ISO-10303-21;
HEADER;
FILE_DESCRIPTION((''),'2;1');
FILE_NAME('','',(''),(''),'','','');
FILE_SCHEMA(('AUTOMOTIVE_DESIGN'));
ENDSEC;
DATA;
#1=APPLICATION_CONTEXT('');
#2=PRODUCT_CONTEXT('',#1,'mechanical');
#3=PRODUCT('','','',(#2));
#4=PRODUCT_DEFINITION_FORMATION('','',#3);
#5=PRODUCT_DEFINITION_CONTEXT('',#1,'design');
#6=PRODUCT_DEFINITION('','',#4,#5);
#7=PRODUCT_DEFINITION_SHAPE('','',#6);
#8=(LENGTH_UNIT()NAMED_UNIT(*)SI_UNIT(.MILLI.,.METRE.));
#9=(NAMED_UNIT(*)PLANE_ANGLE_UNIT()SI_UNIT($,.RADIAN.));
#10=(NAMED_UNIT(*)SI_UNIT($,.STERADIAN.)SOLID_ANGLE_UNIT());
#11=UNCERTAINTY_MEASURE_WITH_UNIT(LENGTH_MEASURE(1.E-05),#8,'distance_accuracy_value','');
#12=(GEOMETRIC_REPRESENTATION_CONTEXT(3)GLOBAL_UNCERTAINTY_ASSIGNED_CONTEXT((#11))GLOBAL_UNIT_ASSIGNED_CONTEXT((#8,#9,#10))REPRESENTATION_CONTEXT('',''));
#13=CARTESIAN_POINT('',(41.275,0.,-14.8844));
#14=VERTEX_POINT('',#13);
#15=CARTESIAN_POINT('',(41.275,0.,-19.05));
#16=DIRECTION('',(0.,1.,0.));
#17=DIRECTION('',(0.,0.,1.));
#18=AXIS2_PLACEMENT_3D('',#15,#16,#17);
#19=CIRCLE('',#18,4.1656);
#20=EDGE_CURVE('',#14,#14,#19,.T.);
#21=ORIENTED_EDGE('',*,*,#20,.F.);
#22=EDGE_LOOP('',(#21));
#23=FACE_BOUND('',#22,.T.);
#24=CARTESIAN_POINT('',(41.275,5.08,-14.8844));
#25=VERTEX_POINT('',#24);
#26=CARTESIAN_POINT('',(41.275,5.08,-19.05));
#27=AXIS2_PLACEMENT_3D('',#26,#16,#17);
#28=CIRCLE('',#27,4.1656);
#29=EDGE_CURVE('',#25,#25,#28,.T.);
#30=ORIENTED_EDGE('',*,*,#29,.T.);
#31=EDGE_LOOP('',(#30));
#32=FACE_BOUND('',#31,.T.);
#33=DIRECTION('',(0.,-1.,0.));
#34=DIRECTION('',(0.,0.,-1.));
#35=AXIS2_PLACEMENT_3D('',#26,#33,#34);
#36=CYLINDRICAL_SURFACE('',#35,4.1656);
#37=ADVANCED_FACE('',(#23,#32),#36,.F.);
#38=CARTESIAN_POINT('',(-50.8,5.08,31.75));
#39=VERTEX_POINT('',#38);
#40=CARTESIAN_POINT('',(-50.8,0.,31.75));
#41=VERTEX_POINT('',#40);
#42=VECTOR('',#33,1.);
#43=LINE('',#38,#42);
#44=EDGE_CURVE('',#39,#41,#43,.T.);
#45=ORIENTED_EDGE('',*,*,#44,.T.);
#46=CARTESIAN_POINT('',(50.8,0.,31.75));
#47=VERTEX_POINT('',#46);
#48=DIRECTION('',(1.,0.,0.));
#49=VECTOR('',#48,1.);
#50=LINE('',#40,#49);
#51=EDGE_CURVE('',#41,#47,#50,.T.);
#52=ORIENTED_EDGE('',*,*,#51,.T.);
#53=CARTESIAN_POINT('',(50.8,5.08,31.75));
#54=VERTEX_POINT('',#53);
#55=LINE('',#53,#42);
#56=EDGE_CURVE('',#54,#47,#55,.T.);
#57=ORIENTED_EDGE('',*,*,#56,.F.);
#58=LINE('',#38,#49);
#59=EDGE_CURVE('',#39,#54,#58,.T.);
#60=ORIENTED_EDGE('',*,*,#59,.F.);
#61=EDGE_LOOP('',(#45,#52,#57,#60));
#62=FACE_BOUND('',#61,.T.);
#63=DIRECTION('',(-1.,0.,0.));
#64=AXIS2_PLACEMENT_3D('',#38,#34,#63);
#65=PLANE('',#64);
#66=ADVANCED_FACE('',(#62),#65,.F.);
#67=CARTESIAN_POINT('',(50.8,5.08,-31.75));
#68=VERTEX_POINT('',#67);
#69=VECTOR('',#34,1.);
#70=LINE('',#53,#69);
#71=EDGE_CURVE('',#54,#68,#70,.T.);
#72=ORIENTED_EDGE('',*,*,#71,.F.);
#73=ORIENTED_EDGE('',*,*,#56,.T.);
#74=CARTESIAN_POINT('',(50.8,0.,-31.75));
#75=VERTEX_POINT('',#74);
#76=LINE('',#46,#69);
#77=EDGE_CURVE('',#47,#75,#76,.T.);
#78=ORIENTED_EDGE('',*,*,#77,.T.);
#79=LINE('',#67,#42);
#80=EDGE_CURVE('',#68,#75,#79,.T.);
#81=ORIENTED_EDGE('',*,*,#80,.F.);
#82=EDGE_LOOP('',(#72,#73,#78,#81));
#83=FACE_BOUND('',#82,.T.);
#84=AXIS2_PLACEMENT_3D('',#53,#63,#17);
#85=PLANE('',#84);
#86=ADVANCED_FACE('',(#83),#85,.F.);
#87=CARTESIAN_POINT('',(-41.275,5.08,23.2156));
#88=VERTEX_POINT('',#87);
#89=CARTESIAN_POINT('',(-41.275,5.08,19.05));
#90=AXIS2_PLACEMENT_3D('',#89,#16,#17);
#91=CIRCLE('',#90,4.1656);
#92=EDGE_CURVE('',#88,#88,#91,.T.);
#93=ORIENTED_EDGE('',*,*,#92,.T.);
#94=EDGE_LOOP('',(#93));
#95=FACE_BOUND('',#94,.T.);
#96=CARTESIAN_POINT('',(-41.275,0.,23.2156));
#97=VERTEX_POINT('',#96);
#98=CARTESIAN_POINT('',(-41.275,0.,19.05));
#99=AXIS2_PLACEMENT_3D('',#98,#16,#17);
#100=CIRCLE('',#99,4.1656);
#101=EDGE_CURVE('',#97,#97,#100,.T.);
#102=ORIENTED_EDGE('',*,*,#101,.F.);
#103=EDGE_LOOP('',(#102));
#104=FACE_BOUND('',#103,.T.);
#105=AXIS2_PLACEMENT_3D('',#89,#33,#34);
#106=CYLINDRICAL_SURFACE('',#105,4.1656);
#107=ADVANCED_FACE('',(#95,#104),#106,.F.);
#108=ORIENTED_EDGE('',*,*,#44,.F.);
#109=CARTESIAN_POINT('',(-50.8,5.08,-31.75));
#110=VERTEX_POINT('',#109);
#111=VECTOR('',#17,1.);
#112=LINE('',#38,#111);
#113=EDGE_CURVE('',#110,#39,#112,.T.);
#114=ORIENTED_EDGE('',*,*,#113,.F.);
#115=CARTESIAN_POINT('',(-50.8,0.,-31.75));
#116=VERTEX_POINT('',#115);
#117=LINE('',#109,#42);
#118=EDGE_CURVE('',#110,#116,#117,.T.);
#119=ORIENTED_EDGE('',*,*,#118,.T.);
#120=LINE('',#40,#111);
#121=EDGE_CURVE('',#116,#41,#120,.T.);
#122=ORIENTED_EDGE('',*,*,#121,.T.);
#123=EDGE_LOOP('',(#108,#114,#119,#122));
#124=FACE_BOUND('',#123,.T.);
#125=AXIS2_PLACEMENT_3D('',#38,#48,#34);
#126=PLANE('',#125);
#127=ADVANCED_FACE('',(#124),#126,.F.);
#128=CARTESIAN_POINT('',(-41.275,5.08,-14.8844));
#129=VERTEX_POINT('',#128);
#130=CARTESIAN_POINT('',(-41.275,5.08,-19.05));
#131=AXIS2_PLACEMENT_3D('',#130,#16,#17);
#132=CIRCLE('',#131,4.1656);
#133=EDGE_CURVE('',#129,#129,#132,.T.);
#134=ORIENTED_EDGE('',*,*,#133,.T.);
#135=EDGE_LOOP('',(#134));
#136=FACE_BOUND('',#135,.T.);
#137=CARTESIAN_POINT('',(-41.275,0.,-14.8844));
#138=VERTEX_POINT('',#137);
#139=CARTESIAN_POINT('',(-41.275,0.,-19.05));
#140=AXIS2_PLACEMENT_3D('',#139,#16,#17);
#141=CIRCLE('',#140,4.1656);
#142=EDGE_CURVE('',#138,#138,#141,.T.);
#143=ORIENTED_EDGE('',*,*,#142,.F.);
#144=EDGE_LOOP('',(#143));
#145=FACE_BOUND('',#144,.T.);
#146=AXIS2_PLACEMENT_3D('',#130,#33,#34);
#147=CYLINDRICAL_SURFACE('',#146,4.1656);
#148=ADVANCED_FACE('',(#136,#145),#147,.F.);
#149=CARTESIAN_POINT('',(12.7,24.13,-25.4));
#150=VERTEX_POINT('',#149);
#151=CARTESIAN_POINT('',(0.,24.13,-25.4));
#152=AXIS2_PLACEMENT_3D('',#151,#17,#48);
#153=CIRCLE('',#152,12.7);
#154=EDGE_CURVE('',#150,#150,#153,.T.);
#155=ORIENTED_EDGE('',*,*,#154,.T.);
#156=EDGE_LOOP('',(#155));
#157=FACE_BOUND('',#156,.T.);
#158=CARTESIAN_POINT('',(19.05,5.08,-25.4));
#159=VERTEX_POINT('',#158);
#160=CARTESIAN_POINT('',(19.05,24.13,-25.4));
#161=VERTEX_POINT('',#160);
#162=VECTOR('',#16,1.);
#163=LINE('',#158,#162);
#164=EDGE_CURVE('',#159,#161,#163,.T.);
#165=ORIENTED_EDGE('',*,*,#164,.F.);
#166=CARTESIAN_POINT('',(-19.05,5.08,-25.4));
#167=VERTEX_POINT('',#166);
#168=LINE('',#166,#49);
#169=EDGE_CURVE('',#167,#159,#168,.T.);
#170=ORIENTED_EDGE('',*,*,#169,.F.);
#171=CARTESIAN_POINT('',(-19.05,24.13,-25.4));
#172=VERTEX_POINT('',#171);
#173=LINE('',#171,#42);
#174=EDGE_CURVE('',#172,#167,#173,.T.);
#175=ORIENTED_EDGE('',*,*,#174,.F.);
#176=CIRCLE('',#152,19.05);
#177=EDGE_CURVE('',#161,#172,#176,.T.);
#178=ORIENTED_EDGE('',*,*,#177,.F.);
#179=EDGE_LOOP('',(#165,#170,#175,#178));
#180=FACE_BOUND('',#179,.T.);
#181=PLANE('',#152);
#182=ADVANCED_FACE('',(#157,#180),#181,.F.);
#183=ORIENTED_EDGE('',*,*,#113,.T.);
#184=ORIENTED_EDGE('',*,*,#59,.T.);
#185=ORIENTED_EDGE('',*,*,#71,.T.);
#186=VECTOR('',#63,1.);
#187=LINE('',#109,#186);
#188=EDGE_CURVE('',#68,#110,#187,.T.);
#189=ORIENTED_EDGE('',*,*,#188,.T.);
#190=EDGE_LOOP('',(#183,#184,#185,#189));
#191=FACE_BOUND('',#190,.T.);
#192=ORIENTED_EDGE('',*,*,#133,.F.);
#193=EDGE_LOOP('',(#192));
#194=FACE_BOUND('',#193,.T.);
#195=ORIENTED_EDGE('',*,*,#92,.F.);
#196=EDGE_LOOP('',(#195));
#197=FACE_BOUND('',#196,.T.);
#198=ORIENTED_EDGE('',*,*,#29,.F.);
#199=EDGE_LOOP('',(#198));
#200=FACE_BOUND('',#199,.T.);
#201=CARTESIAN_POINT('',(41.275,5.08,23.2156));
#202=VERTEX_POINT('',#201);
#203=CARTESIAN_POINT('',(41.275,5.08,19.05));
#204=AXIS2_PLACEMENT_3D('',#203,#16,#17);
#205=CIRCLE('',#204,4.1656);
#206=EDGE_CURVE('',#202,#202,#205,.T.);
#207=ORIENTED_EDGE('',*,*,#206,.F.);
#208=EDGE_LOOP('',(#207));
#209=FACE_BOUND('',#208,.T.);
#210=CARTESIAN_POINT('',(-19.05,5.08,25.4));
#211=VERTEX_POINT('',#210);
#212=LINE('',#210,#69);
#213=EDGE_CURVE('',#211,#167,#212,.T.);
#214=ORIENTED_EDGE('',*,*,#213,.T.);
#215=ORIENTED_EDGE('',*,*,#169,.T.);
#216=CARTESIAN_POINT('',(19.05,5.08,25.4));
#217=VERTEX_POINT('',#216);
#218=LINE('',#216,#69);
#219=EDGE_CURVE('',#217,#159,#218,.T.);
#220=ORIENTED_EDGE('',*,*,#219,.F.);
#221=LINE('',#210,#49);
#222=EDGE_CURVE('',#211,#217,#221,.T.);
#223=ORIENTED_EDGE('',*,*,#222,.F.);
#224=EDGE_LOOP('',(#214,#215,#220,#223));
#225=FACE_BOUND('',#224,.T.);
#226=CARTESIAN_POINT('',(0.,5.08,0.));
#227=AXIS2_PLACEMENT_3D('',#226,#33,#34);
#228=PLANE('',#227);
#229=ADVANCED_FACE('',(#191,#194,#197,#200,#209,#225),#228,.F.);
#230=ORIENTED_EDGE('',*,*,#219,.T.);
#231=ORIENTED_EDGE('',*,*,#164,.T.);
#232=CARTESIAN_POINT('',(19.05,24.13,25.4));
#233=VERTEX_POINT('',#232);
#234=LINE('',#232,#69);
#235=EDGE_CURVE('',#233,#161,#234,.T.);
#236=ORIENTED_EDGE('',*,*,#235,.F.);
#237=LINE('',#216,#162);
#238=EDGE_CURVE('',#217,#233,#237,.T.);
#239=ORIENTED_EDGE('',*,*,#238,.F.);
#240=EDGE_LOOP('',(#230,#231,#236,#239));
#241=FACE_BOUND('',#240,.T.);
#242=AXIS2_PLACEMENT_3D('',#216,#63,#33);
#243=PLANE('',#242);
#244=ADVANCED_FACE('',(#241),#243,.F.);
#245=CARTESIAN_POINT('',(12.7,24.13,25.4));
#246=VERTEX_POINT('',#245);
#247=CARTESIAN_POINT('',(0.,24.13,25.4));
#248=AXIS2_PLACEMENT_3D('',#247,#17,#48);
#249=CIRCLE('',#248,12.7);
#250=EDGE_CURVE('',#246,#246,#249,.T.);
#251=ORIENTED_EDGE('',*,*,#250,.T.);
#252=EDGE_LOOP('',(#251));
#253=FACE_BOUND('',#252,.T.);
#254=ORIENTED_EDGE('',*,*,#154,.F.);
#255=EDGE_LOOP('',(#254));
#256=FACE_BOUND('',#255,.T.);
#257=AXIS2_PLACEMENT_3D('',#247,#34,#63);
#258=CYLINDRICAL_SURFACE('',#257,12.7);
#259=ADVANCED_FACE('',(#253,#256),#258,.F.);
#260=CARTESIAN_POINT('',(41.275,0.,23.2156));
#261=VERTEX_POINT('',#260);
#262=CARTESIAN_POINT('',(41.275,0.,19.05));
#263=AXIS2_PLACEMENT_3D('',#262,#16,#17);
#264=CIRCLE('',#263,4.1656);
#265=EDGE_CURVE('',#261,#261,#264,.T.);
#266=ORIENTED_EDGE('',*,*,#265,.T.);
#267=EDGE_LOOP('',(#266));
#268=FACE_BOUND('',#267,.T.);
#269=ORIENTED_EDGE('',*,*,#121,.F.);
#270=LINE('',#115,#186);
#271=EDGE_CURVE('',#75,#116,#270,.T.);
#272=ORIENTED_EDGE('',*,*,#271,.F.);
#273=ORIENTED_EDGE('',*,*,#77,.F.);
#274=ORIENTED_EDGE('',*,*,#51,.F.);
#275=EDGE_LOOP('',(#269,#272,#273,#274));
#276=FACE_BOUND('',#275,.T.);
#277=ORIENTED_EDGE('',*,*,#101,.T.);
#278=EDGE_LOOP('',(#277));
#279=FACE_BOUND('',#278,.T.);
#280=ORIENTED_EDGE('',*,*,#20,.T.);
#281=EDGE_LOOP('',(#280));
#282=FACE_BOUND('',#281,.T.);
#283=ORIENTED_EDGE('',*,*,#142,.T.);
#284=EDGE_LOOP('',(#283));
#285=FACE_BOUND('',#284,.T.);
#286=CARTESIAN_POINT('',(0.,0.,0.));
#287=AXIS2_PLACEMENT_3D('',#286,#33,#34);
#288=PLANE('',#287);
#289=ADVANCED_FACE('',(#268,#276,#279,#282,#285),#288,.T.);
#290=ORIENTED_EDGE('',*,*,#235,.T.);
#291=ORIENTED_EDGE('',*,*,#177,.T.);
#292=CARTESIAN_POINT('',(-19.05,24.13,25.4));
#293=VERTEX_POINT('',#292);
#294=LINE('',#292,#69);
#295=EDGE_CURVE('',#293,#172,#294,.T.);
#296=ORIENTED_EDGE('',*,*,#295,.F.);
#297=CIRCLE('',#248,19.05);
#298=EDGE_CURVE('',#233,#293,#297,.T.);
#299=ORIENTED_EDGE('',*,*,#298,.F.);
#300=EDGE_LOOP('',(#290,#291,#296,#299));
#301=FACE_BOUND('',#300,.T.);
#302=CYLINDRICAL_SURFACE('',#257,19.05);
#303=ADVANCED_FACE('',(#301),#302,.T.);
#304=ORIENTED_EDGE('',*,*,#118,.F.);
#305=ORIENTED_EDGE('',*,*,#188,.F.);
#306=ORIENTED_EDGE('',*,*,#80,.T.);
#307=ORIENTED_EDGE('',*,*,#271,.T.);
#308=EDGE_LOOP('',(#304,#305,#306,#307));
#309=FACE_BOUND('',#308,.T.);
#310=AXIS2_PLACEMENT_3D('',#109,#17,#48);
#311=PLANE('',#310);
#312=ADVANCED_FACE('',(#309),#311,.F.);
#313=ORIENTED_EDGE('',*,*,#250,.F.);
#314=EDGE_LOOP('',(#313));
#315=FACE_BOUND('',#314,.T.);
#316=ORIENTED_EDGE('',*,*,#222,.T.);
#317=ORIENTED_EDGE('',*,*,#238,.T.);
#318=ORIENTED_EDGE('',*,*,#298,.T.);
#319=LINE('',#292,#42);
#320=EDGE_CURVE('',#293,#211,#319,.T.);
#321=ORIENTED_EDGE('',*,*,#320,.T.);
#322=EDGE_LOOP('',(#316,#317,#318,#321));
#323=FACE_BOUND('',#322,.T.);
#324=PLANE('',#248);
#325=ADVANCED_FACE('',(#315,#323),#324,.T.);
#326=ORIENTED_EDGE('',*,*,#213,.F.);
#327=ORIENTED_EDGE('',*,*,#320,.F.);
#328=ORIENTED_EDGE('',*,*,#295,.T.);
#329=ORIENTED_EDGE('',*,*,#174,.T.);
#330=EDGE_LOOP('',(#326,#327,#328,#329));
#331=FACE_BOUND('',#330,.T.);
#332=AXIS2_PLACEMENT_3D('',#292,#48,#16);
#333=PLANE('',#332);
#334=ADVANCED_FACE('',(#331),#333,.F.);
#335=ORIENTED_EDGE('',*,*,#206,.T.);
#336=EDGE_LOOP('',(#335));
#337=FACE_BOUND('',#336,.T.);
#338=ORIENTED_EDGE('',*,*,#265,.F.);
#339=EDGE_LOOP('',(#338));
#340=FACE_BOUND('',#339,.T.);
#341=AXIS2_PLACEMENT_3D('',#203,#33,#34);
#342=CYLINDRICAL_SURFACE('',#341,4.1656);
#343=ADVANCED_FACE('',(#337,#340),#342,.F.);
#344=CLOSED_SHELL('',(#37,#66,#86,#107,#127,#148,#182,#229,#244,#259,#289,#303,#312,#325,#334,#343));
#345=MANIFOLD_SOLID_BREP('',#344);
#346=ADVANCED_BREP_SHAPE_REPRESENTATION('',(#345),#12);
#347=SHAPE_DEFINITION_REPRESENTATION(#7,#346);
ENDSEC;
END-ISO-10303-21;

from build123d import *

# Parameters (mm, degrees)
SKETCH1_W           = 101.6
SKETCH1_H           = 63.5
BOSS_EXTRUDE1_DEPTH = 5.08
SKETCH2_R           = 4.1656
CUT_EXTRUDE1_DEPTH  = 61.120785923
SKETCH3_R           = 12.7
BOSS_EXTRUDE2_DEPTH = 25.4


with BuildPart() as part:
    # Sketch1 → Boss-Extrude1 (new body)
    with BuildSketch(Plane(origin=(0, 0, 0), x_dir=(1, 0, 0), z_dir=(0, 1, 0))):
        Rectangle(SKETCH1_W, SKETCH1_H)
    extrude(amount=BOSS_EXTRUDE1_DEPTH)

    # Sketch2 → Cut-Extrude1 (cut, through all)
    with BuildSketch(Plane(origin=(0, 0, 0), x_dir=(1, 0, 0), z_dir=(0, 1, 0))):
        with Locations(Location((-41.275, 19.05, 0), (0, 0, 270))):
            Circle(SKETCH2_R)
        with Locations(Location((41.275, 19.05, 0), (0, 0, 270))):
            Circle(SKETCH2_R)
        with Locations(Location((41.275, -19.05, 0), (0, 0, 270))):
            Circle(SKETCH2_R)
        with Locations(Location((-41.275, -19.05, 0), (0, 0, 270))):
            Circle(SKETCH2_R)
    extrude(amount=CUT_EXTRUDE1_DEPTH, mode=Mode.SUBTRACT)

    # Sketch3 → Boss-Extrude2 (add, symmetric)
    with BuildSketch(Plane.XY):
        with BuildLine():
            Line((-19.05, 24.13), (-19.05, 5.08))
            Line((-19.05, 5.08), (19.05, 5.08))
            Line((19.05, 5.08), (19.05, 24.13))
            ThreePointArc((19.05, 24.13), (0, 43.18), (-19.05, 24.13))
        make_face()
        with Locations((0, 24.13)):
            Circle(SKETCH3_R, mode=Mode.SUBTRACT)
    extrude(amount=BOSS_EXTRUDE2_DEPTH, both=True)


solid = part.part
